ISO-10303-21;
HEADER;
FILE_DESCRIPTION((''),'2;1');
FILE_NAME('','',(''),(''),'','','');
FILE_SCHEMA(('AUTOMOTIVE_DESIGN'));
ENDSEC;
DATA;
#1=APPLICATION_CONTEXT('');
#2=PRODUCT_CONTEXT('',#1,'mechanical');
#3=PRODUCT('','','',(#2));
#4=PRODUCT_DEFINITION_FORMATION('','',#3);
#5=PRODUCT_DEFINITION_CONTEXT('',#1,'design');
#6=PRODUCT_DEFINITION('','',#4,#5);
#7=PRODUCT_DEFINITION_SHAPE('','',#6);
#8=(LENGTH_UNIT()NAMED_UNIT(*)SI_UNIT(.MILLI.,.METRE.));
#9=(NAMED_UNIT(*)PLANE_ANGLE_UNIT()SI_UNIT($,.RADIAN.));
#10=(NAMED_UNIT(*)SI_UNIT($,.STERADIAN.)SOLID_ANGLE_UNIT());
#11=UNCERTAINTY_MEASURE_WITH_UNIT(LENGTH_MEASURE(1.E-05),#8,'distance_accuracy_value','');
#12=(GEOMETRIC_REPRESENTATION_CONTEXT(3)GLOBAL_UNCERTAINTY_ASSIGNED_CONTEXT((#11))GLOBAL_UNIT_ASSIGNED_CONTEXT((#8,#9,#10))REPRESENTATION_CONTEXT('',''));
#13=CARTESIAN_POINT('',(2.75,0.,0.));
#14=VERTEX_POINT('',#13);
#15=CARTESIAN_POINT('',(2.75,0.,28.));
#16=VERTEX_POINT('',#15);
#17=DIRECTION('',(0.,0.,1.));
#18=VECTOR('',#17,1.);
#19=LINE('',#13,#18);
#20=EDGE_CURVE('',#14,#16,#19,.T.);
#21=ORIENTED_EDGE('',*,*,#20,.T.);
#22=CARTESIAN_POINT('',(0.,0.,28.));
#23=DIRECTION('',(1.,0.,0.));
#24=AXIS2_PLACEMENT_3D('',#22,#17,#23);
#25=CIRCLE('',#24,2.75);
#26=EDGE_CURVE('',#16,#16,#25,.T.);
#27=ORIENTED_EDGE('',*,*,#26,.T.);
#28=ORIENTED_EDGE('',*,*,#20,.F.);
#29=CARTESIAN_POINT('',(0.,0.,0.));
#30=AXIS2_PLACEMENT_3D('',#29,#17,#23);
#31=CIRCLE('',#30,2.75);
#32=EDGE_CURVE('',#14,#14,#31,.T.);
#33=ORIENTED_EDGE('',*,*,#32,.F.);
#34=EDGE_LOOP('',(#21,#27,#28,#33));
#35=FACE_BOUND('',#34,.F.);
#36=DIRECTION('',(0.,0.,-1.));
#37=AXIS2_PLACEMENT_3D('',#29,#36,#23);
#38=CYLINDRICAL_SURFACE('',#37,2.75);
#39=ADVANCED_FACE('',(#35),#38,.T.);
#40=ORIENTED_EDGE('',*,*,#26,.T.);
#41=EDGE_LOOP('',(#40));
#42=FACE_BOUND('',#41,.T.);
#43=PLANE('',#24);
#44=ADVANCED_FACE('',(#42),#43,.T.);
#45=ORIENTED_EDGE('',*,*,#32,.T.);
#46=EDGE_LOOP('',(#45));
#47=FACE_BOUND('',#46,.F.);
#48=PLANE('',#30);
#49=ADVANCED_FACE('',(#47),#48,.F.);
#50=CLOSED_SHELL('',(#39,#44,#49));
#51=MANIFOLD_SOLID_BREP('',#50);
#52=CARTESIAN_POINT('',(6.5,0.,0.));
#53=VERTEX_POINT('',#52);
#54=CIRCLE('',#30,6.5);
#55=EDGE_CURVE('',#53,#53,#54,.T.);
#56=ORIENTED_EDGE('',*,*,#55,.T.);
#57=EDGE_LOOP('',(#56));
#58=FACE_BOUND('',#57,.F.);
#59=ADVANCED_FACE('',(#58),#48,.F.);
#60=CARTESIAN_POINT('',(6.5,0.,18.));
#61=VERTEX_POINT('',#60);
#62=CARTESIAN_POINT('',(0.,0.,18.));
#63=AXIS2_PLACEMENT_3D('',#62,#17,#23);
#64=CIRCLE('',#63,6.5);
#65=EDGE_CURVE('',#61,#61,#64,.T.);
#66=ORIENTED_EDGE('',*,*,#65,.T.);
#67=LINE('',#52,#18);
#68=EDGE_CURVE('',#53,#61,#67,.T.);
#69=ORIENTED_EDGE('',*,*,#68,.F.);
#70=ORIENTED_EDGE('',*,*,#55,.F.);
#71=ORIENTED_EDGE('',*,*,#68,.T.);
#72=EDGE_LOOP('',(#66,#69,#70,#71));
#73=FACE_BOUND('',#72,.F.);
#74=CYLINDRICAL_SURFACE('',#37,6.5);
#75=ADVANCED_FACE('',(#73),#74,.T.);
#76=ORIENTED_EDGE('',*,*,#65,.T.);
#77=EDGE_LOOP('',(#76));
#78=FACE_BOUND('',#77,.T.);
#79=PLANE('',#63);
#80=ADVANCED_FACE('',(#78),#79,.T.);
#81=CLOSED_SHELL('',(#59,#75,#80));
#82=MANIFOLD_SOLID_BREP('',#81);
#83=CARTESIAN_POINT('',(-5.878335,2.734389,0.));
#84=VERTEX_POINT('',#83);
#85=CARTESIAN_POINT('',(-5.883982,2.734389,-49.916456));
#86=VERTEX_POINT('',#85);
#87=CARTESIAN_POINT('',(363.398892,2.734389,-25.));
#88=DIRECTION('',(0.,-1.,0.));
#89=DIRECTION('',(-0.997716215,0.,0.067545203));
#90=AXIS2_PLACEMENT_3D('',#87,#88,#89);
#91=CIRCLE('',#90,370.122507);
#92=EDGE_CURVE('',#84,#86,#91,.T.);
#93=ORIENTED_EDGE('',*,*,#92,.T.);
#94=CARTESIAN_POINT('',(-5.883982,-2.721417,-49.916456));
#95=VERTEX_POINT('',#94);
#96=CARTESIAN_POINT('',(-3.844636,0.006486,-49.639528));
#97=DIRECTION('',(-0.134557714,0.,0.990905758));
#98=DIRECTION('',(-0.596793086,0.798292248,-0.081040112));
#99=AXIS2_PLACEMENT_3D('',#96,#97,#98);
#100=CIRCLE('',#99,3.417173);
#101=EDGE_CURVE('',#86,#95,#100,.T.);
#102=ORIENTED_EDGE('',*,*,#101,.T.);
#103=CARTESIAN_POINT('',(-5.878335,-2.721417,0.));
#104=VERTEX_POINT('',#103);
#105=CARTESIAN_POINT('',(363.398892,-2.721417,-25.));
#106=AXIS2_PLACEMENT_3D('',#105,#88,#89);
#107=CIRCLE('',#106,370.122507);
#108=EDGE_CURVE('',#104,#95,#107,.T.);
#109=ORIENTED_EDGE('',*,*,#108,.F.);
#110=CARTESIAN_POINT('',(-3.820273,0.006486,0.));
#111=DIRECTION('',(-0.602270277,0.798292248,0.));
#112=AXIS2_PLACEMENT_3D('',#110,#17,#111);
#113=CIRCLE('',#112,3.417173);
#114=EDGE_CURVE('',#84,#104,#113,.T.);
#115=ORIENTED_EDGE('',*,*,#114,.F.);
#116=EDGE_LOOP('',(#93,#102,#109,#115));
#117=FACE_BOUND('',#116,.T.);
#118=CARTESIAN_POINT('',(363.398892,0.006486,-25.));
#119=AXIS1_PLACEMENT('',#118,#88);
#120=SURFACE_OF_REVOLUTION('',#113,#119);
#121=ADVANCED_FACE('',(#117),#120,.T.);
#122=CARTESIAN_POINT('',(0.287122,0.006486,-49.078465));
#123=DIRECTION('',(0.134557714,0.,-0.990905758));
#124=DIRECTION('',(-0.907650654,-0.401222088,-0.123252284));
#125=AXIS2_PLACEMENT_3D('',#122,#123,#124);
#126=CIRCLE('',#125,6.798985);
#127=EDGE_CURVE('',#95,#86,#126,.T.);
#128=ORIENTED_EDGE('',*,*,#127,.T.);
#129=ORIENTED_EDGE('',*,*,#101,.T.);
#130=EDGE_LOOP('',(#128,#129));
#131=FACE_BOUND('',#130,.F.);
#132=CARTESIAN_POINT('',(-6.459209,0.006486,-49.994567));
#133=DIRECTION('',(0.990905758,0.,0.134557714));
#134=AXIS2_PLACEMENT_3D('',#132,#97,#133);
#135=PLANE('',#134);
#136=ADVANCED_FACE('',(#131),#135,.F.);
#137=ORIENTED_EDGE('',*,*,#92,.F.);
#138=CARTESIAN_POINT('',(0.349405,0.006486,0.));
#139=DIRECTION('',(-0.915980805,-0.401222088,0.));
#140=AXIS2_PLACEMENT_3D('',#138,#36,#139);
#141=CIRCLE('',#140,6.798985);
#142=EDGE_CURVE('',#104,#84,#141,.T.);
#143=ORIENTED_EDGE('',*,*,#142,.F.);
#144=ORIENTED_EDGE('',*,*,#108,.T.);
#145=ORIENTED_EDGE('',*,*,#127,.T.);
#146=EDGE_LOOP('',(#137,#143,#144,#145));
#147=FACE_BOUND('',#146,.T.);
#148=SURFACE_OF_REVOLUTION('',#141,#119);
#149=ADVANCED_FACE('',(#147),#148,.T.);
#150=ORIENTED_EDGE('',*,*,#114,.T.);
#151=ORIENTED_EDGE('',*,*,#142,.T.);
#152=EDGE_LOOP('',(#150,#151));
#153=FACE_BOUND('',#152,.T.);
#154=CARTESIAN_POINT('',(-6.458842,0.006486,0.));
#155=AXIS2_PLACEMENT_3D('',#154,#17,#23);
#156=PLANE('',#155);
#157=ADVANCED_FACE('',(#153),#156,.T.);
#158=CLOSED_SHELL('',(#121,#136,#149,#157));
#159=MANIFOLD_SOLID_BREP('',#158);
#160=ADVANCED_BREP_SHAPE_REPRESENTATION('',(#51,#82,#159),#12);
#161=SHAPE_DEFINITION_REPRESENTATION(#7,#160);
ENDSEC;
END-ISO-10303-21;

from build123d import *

# Parameters (mm, degrees)
F0_R     = 2.75
F5_DEPTH = 28
F1_R     = 6.5
F6_DEPTH = 18


with BuildPart() as f5:
    # F0 (on Top) → F5 (new body)
    with BuildSketch(Plane.XY):
        Circle(F0_R)
    extrude(amount=F5_DEPTH)


with BuildPart() as f6:
    # F1 (on Top) → F6 (new body)
    with BuildSketch(Plane.XY):
        Circle(F1_R)
    extrude(amount=F6_DEPTH)


with BuildPart() as f7:
    # F7: sweep along a path in F4
    with BuildLine(Plane.XZ) as f7_path:
        ThreePointArc((-6.4992159605, 0), (-7.3430806348, -25), (-6.4992159605, -50))
    # F3 (on Top) → F7 (sweep)
    with BuildSketch(Plane.XY):
        with BuildLine():
            ThreePointArc((-5.8783353306, -2.721416764), (-6.4495805989, 0.0064863125), (-5.8783353306, 2.7343893889))
            ThreePointArc((-5.8783353306, 2.7343893889), (-7.2374467799, 0.0064863125), (-5.8783353306, -2.721416764))
        make_face()
    sweep(path=f7_path.line)


solid = Compound([f5.part, f6.part, f7.part])
